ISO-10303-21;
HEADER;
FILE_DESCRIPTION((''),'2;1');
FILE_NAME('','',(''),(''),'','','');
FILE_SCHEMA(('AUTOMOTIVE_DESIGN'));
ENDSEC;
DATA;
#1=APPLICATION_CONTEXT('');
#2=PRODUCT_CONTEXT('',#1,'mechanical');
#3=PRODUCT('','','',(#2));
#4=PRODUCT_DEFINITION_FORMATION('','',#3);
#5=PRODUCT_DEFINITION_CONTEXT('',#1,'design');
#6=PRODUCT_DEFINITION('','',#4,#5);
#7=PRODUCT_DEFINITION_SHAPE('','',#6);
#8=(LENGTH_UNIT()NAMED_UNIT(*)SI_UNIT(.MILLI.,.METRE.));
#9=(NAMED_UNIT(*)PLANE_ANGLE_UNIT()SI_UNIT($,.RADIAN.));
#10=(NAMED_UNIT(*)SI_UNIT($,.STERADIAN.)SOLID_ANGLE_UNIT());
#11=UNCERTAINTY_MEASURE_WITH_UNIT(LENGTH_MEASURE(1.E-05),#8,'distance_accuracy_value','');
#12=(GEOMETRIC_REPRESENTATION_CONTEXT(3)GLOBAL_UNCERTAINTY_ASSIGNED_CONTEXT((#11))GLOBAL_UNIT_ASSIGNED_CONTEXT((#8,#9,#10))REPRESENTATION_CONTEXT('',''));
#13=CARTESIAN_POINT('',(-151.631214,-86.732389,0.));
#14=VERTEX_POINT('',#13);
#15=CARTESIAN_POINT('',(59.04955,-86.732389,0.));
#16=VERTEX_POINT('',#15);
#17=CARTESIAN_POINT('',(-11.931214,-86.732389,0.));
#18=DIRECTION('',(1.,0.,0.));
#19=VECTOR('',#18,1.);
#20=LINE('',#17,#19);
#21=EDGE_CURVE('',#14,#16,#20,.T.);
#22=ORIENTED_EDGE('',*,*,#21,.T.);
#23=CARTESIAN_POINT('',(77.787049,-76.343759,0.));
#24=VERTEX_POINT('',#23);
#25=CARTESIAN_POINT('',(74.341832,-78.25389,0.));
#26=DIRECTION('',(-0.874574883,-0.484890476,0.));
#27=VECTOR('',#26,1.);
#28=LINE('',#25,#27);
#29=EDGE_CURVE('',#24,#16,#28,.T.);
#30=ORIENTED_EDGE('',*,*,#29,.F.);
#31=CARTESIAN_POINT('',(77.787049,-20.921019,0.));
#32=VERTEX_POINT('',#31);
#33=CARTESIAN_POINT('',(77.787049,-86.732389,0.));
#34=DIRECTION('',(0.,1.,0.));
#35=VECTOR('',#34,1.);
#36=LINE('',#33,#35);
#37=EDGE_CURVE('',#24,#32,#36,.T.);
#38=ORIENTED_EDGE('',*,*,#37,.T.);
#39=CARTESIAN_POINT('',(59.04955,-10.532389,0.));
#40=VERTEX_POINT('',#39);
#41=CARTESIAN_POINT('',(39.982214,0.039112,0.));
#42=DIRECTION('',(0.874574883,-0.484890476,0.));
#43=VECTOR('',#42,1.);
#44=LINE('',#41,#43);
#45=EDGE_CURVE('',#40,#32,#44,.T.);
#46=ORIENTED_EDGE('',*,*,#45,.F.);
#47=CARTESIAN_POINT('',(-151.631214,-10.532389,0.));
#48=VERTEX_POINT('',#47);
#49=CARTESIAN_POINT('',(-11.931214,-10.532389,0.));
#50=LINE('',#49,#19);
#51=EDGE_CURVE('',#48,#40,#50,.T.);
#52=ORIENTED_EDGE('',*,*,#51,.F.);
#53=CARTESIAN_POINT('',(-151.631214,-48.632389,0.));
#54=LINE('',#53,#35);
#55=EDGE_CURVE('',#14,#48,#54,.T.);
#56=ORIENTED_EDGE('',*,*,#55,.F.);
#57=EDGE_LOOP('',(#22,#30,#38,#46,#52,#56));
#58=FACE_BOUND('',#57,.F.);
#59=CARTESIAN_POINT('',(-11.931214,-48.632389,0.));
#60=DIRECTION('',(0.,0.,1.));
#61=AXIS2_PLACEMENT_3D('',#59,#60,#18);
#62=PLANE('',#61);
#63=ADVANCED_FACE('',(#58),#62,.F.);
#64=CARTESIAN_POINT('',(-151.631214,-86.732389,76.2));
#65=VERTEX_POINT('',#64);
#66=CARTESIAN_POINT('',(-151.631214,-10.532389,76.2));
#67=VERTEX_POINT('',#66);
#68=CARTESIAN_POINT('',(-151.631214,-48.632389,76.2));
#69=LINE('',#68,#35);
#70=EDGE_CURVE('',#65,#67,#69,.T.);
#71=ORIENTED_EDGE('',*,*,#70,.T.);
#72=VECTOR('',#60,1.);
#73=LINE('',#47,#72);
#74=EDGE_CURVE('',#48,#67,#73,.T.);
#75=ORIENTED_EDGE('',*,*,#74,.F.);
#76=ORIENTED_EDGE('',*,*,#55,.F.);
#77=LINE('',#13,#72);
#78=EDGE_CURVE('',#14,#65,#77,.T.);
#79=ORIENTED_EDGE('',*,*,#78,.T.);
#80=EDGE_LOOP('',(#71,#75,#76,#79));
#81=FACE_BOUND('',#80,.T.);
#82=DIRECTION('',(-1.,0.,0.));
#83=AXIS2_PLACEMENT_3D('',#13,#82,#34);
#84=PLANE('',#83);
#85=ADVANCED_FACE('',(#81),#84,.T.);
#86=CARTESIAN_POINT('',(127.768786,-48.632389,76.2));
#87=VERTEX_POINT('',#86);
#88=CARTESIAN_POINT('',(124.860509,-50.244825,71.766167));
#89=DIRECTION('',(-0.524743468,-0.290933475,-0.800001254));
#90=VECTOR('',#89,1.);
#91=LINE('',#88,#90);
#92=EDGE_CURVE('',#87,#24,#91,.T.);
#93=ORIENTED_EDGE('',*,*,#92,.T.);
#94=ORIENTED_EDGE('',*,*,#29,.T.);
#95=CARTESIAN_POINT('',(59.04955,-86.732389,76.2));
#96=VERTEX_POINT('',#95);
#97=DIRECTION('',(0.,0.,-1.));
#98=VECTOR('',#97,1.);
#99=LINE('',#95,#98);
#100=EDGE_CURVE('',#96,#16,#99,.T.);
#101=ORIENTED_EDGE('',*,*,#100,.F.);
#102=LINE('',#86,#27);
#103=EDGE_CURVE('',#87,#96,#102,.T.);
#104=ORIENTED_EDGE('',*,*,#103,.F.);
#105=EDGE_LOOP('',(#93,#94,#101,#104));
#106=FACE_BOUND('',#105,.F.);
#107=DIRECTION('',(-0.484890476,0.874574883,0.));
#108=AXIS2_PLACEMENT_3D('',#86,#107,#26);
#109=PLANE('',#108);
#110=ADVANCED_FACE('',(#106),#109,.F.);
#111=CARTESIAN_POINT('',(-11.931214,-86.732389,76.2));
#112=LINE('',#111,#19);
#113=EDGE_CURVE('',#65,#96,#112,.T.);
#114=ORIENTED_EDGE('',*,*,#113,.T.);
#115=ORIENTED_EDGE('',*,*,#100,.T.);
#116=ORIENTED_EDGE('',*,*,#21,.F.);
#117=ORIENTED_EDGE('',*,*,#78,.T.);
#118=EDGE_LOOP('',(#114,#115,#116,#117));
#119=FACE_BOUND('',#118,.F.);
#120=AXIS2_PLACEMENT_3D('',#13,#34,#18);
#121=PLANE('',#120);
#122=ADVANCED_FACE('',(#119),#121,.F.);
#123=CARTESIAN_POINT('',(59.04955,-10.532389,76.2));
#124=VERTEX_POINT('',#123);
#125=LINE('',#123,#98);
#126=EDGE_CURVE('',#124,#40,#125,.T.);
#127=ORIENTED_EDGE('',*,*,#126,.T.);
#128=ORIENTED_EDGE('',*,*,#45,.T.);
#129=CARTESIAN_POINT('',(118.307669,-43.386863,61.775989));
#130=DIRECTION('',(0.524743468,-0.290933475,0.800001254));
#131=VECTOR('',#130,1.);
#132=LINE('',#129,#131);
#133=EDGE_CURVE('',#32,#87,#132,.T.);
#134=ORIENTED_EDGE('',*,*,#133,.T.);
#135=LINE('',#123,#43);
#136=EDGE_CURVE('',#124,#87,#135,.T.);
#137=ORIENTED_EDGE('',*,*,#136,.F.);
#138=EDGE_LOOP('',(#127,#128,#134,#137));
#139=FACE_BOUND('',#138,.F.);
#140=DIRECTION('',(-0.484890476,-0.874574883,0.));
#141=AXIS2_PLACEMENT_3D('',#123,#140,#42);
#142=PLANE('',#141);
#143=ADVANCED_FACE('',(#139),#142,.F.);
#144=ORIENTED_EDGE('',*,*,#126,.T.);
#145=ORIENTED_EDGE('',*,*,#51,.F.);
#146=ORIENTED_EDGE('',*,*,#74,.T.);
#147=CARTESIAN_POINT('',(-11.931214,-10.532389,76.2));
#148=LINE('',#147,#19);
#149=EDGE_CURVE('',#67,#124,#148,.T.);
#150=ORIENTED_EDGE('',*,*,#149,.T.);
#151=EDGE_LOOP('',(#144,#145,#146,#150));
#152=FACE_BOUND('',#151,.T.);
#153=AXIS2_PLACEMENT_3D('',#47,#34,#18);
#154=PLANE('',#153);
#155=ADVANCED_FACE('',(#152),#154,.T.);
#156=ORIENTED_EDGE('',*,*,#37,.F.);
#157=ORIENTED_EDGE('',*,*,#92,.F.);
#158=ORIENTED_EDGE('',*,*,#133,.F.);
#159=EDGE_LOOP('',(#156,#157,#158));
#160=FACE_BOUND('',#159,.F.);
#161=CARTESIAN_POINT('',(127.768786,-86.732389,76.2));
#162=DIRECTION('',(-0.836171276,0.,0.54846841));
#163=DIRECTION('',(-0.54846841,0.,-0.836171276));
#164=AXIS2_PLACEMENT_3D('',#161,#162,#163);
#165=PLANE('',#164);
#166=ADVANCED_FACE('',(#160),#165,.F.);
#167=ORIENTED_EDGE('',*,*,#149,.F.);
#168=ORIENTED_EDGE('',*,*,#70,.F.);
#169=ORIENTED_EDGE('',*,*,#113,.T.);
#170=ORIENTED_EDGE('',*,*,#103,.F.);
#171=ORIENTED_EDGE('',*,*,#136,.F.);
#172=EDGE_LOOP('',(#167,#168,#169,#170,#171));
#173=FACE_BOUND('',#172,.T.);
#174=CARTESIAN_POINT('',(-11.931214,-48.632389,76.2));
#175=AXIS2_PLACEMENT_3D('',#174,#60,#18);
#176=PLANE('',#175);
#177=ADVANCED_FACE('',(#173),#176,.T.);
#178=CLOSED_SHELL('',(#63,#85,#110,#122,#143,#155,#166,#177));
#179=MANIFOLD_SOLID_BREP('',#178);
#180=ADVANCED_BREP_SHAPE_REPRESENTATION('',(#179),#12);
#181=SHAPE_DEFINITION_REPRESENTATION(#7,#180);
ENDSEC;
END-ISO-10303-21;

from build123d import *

# Parameters (mm, degrees)
F0_W     = 279.4
F0_H     = 76.2
F1_DEPTH = 76.2
F3_DEPTH = 76.201
F5_DEPTH = 76.201


with BuildPart() as f1:
    # F0 (on Top) → F1 (new body)
    with BuildSketch(Plane.XY):
        with Locations((-11.931214, -48.632389)):
            Rectangle(F0_W, F0_H)
    extrude(amount=F1_DEPTH)

    # F2 (on face) → F3 (cut, through all)
    with BuildSketch(Plane.XZ.offset(86.732389)):
        Polygon((127.768786, 0), (127.768786, 76.2), (77.787049, 0), align=None)
    extrude(amount=-F3_DEPTH, mode=Mode.SUBTRACT)

    # F4 (on face) → F5 (cut, through all)
    with BuildSketch(Plane.XY.offset(76.2)):
        Polygon((59.04955, -10.532389), (127.768786, -48.632389), (127.768786, -10.532389), align=None)
        Polygon((127.768786, -48.632389), (59.04955, -86.732389), (127.768786, -86.732389), align=None)
    extrude(amount=-F5_DEPTH, mode=Mode.SUBTRACT)


solid = f1.part
